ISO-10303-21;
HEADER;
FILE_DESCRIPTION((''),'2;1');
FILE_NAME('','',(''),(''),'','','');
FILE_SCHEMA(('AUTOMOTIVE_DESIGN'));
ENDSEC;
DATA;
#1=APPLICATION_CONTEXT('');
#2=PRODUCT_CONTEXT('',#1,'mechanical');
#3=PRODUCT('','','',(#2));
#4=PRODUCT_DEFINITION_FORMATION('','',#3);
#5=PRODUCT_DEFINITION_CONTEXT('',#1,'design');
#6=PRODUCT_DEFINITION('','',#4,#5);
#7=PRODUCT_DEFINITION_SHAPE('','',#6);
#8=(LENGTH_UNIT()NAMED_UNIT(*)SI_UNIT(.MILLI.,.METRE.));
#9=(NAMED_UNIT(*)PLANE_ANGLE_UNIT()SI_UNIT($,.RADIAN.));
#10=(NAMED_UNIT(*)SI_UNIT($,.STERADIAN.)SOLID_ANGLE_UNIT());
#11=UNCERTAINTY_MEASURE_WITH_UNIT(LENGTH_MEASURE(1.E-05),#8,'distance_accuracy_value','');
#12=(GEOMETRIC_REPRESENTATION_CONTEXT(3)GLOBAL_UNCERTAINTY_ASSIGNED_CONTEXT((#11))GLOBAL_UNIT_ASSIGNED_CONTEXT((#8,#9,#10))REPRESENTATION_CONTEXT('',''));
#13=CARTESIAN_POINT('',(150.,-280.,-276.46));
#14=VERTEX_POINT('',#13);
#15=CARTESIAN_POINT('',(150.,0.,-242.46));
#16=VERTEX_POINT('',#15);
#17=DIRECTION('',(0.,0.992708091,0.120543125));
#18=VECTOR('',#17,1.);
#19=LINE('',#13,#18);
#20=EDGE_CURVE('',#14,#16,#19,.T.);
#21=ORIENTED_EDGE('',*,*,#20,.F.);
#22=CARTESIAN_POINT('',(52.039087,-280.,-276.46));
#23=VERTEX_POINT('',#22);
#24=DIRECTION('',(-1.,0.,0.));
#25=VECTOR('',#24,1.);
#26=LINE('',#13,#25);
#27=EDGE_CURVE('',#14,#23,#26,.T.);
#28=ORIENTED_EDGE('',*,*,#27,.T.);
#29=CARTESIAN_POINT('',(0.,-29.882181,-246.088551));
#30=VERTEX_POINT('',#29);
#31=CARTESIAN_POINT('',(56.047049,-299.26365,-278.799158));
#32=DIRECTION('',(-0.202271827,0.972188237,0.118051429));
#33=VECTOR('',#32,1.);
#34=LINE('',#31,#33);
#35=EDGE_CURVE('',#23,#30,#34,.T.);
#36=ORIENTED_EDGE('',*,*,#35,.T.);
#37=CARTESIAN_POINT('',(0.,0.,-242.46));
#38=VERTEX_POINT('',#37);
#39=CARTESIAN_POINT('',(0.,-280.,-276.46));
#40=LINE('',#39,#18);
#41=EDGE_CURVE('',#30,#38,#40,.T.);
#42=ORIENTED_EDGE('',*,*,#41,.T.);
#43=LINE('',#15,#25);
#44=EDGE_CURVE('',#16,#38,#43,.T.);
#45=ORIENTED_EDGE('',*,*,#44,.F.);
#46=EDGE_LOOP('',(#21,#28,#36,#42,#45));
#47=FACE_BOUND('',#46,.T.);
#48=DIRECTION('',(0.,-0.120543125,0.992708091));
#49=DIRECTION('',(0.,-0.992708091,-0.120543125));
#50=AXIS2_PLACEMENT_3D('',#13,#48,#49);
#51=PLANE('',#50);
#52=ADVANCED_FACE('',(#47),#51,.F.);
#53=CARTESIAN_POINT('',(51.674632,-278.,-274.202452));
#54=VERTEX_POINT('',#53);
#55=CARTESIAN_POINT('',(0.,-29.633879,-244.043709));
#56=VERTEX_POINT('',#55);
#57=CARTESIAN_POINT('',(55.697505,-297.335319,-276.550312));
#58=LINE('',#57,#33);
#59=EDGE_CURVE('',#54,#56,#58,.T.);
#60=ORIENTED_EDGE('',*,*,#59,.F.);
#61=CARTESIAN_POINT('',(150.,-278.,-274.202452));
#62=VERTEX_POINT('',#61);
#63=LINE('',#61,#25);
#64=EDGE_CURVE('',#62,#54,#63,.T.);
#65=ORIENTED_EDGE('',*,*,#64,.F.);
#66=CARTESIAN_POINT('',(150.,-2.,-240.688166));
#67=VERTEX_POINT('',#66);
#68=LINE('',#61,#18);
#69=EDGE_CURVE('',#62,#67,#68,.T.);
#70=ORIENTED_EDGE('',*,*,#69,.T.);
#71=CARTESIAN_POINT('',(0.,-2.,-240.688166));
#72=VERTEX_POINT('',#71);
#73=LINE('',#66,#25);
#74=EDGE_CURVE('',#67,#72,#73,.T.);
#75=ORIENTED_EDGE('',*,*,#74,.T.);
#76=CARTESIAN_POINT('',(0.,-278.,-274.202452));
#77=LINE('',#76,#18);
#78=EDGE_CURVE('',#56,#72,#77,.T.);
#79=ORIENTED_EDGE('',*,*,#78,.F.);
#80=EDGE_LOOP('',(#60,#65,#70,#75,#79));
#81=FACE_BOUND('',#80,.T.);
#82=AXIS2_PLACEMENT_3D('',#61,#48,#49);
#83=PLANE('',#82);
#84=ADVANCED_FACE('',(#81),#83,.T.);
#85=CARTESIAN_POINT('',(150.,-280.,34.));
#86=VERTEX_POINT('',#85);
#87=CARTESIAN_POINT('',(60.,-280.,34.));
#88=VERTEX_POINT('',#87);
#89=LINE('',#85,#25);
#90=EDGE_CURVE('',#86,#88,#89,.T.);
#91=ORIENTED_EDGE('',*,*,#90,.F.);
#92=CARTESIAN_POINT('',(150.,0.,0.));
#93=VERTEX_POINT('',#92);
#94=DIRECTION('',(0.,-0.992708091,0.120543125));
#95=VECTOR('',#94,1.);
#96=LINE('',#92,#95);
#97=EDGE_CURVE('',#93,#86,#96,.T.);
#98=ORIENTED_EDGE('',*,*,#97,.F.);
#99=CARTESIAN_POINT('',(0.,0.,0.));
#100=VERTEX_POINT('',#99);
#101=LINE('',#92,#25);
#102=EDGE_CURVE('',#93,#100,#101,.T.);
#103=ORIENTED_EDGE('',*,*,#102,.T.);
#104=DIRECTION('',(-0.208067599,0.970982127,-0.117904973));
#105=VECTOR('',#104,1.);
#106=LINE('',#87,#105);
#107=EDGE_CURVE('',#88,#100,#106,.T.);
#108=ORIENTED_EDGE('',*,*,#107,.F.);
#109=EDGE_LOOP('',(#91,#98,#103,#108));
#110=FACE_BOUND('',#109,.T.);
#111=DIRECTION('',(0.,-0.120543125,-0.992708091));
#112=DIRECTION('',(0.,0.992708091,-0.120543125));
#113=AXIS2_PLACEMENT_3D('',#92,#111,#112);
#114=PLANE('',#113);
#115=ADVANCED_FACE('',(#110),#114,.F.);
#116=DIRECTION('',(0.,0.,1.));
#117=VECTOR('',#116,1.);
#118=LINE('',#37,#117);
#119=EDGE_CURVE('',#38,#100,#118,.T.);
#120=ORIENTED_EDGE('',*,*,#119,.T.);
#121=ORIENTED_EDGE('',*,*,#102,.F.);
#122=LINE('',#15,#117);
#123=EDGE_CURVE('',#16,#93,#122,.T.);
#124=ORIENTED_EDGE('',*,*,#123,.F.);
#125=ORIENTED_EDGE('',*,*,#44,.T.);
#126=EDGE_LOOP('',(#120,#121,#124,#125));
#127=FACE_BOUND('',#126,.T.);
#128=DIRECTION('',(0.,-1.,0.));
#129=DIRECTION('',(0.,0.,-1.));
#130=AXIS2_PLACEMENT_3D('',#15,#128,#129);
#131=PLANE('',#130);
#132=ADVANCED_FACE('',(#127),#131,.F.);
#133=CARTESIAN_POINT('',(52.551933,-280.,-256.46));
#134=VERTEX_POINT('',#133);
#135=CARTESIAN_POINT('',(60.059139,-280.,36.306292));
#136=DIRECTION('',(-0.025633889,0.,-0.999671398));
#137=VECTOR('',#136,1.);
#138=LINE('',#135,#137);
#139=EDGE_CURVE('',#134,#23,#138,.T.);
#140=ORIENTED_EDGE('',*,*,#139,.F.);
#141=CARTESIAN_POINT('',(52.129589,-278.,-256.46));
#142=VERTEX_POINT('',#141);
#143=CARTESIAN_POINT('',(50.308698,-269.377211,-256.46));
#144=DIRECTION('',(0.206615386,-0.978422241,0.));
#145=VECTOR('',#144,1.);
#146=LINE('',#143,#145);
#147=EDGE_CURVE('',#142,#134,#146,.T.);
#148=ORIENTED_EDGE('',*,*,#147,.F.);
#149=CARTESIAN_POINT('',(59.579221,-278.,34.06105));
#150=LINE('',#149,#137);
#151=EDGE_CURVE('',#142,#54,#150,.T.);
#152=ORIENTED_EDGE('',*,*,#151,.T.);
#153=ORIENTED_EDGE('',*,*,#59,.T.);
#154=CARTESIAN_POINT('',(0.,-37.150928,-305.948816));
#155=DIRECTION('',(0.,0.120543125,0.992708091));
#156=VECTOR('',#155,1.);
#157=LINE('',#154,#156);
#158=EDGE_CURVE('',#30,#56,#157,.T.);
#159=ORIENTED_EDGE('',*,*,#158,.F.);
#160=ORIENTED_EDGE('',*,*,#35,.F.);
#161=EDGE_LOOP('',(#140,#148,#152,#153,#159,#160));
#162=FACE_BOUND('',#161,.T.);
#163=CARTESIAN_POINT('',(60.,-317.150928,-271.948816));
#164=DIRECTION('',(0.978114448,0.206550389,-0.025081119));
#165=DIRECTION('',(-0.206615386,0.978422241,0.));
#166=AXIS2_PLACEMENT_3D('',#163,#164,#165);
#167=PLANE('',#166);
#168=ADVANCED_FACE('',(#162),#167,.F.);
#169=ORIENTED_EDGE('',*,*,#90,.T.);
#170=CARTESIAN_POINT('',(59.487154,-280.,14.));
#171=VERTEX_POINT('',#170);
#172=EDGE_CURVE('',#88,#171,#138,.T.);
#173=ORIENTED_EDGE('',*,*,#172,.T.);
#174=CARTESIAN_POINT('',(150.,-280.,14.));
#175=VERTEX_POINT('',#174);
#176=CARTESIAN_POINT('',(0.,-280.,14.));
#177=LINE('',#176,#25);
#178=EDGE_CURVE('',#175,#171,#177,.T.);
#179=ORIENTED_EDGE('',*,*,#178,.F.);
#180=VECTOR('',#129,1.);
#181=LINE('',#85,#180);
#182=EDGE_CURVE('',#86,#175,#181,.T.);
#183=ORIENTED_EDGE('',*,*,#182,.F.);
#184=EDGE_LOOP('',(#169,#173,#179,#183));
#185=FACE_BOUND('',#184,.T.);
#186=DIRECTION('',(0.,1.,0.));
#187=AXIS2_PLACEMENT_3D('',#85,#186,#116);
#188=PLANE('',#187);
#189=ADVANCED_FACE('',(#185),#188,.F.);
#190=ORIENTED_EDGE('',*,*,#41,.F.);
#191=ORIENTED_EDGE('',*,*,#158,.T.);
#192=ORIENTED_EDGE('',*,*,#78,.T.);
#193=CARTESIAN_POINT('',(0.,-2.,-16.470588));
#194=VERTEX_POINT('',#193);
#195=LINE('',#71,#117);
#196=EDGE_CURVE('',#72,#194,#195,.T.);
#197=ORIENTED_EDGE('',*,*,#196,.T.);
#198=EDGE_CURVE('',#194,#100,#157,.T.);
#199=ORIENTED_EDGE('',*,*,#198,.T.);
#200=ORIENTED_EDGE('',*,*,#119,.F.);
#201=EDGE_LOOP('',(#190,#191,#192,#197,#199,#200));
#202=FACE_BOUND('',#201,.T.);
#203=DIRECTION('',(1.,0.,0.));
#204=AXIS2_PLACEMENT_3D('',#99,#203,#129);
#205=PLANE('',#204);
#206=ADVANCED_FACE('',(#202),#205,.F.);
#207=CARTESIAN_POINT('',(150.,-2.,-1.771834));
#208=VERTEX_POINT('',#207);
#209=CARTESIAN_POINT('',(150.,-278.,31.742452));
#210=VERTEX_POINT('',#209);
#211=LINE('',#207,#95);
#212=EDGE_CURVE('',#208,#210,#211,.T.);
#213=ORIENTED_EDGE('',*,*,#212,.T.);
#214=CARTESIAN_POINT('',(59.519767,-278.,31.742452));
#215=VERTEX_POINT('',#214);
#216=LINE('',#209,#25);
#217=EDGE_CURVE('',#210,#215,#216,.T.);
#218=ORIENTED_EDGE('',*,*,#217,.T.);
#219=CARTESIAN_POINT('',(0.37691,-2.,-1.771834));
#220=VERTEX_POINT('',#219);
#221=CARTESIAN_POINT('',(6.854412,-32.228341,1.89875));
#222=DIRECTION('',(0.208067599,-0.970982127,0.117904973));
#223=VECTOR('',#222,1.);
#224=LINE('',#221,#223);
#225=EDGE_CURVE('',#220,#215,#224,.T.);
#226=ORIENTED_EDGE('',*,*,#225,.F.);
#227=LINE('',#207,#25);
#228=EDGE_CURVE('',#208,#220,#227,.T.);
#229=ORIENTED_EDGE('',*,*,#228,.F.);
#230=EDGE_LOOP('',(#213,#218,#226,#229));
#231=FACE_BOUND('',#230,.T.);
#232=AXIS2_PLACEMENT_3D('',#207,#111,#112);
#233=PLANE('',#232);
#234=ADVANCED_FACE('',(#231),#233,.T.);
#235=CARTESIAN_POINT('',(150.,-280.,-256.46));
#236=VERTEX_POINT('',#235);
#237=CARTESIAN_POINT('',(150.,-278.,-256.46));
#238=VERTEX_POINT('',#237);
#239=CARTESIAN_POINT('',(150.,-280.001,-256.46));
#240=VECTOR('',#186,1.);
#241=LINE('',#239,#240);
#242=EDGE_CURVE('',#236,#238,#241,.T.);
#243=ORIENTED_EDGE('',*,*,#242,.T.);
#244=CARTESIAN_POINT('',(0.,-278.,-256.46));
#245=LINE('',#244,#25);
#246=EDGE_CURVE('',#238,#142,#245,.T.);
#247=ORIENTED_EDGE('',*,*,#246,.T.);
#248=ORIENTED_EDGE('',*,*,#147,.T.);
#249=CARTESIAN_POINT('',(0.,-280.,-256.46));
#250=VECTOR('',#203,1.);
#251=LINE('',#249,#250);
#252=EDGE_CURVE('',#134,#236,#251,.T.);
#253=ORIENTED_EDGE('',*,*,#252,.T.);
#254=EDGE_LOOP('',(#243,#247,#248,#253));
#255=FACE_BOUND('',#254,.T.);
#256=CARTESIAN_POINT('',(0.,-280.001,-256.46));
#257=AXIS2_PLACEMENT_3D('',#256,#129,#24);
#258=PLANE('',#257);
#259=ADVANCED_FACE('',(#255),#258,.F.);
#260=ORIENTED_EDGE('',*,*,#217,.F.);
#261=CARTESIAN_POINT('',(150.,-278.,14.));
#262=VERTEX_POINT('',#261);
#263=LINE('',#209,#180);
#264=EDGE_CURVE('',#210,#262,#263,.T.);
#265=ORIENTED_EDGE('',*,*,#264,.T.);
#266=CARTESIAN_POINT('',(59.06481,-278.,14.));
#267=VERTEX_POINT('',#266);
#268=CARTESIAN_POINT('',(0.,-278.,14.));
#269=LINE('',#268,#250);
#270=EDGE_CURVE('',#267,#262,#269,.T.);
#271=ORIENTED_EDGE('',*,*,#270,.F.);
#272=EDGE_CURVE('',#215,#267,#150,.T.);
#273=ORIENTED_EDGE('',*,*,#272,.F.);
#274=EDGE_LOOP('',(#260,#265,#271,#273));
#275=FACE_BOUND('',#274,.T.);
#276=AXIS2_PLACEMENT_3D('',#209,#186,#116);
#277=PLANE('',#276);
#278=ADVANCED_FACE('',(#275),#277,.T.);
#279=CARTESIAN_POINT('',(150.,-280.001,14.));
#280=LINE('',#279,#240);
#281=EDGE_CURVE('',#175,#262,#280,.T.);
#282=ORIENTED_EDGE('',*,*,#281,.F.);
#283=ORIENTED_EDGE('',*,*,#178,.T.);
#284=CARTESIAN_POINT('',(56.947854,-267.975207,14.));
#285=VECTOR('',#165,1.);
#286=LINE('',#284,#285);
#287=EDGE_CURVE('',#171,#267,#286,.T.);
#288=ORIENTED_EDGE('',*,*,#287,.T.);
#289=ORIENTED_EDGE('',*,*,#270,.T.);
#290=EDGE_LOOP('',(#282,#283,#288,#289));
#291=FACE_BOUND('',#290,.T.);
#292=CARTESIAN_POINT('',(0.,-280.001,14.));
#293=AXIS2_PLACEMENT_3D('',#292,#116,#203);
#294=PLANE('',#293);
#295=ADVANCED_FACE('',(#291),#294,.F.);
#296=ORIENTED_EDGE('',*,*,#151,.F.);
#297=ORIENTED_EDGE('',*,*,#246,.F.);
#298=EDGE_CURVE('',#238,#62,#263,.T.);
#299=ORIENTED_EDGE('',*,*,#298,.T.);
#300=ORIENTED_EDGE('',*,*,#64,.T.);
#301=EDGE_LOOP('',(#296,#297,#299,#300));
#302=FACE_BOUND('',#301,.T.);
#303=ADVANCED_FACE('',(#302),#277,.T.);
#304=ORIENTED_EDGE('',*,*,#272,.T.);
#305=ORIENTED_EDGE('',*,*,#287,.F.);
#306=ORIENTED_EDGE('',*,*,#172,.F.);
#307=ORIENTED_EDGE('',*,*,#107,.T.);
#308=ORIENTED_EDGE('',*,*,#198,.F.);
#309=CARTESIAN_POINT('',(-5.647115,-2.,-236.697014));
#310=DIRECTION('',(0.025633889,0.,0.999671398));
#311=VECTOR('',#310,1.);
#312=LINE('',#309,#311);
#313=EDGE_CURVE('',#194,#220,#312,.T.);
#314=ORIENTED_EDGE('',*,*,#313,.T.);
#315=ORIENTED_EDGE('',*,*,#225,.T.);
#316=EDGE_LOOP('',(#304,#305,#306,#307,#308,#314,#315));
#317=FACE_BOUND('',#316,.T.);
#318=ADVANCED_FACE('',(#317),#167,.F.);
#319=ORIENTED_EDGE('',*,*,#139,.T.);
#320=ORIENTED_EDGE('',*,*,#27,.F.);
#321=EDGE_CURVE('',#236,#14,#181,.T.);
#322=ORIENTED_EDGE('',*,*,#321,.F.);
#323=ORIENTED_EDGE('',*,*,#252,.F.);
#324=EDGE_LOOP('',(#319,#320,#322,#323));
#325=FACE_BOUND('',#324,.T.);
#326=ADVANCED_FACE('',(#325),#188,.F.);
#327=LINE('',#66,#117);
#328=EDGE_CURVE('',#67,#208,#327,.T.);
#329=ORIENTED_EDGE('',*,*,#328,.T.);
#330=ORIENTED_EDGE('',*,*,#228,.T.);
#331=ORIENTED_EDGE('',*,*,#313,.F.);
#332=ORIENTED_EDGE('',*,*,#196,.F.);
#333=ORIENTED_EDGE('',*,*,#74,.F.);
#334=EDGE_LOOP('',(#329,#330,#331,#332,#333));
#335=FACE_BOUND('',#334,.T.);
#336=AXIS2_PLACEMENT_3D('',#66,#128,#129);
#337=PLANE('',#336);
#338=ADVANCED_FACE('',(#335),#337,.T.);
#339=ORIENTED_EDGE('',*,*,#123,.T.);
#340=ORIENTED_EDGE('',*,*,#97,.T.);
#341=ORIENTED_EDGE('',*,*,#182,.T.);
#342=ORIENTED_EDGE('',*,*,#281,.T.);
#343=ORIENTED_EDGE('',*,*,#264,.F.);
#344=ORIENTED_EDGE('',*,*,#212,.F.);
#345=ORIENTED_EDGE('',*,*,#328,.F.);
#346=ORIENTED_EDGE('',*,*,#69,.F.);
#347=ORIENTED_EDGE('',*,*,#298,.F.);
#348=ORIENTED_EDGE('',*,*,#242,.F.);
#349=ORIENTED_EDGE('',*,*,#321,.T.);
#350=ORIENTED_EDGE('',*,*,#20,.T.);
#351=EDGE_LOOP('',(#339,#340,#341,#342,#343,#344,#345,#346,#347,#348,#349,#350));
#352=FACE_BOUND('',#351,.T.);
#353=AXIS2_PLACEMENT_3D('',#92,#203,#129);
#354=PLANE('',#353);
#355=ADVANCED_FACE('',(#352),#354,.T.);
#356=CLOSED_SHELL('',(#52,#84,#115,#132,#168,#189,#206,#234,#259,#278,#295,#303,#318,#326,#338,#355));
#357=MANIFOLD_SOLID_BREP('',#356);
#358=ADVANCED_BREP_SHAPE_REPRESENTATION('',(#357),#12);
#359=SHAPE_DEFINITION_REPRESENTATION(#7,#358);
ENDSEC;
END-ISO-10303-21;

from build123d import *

# Parameters (mm, degrees)
EXTRUDE_1_DEPTH     = 150
CUT_EXTRUDE_1_DEPTH = 309.196154086
CUT_EXTRUDE_3_REACH = 4
SKETCH_3_W          = 150
SKETCH_3_H          = 270.46


with BuildPart() as part:
    # 草图1 → 凸台-拉伸1 (new body)
    with BuildSketch(Plane(origin=(0, 0, 0), x_dir=(0, 0, -1), z_dir=(1, 0, 0))):
        Polygon((0, 0), (-34, -280), (276.46, -280), (242.46, 0), align=None)
        Polygon((240.688166201, -2), (1.771833799, -2), (-31.742451915, -278), (274.202451915, -278), align=None, mode=Mode.SUBTRACT)
    extrude(amount=EXTRUDE_1_DEPTH)

    # 草图2 → 切除-拉伸1 (cut, through all)
    with BuildSketch(Plane(origin=(0, 0, 0), x_dir=(1, 0, 0), z_dir=(0, 0.120543125, 0.992708091))):
        Polygon((0, 0), (0, -282.056731882), (60, -282.056731882), align=None)
    extrude(amount=-CUT_EXTRUDE_1_DEPTH, mode=Mode.SUBTRACT)

    # 草图3 → 切除-拉伸3 (cut, up to next)
    with BuildSketch(Plane(origin=(0, -278, 0), x_dir=(1, 0, 0), z_dir=(0, 1, 0)), mode=Mode.PRIVATE) as cut_extrude_3_sk1:
        with Locations((75, 121.23)):
            Rectangle(SKETCH_3_W, SKETCH_3_H)
    cut_extrude_3_tool1 = extrude(cut_extrude_3_sk1.sketch, amount=-CUT_EXTRUDE_3_REACH, mode=Mode.PRIVATE) & part.part
    add(cut_extrude_3_tool1.solids().sort_by_distance((75, -278, -121.23))[0], mode=Mode.SUBTRACT)


solid = part.part
